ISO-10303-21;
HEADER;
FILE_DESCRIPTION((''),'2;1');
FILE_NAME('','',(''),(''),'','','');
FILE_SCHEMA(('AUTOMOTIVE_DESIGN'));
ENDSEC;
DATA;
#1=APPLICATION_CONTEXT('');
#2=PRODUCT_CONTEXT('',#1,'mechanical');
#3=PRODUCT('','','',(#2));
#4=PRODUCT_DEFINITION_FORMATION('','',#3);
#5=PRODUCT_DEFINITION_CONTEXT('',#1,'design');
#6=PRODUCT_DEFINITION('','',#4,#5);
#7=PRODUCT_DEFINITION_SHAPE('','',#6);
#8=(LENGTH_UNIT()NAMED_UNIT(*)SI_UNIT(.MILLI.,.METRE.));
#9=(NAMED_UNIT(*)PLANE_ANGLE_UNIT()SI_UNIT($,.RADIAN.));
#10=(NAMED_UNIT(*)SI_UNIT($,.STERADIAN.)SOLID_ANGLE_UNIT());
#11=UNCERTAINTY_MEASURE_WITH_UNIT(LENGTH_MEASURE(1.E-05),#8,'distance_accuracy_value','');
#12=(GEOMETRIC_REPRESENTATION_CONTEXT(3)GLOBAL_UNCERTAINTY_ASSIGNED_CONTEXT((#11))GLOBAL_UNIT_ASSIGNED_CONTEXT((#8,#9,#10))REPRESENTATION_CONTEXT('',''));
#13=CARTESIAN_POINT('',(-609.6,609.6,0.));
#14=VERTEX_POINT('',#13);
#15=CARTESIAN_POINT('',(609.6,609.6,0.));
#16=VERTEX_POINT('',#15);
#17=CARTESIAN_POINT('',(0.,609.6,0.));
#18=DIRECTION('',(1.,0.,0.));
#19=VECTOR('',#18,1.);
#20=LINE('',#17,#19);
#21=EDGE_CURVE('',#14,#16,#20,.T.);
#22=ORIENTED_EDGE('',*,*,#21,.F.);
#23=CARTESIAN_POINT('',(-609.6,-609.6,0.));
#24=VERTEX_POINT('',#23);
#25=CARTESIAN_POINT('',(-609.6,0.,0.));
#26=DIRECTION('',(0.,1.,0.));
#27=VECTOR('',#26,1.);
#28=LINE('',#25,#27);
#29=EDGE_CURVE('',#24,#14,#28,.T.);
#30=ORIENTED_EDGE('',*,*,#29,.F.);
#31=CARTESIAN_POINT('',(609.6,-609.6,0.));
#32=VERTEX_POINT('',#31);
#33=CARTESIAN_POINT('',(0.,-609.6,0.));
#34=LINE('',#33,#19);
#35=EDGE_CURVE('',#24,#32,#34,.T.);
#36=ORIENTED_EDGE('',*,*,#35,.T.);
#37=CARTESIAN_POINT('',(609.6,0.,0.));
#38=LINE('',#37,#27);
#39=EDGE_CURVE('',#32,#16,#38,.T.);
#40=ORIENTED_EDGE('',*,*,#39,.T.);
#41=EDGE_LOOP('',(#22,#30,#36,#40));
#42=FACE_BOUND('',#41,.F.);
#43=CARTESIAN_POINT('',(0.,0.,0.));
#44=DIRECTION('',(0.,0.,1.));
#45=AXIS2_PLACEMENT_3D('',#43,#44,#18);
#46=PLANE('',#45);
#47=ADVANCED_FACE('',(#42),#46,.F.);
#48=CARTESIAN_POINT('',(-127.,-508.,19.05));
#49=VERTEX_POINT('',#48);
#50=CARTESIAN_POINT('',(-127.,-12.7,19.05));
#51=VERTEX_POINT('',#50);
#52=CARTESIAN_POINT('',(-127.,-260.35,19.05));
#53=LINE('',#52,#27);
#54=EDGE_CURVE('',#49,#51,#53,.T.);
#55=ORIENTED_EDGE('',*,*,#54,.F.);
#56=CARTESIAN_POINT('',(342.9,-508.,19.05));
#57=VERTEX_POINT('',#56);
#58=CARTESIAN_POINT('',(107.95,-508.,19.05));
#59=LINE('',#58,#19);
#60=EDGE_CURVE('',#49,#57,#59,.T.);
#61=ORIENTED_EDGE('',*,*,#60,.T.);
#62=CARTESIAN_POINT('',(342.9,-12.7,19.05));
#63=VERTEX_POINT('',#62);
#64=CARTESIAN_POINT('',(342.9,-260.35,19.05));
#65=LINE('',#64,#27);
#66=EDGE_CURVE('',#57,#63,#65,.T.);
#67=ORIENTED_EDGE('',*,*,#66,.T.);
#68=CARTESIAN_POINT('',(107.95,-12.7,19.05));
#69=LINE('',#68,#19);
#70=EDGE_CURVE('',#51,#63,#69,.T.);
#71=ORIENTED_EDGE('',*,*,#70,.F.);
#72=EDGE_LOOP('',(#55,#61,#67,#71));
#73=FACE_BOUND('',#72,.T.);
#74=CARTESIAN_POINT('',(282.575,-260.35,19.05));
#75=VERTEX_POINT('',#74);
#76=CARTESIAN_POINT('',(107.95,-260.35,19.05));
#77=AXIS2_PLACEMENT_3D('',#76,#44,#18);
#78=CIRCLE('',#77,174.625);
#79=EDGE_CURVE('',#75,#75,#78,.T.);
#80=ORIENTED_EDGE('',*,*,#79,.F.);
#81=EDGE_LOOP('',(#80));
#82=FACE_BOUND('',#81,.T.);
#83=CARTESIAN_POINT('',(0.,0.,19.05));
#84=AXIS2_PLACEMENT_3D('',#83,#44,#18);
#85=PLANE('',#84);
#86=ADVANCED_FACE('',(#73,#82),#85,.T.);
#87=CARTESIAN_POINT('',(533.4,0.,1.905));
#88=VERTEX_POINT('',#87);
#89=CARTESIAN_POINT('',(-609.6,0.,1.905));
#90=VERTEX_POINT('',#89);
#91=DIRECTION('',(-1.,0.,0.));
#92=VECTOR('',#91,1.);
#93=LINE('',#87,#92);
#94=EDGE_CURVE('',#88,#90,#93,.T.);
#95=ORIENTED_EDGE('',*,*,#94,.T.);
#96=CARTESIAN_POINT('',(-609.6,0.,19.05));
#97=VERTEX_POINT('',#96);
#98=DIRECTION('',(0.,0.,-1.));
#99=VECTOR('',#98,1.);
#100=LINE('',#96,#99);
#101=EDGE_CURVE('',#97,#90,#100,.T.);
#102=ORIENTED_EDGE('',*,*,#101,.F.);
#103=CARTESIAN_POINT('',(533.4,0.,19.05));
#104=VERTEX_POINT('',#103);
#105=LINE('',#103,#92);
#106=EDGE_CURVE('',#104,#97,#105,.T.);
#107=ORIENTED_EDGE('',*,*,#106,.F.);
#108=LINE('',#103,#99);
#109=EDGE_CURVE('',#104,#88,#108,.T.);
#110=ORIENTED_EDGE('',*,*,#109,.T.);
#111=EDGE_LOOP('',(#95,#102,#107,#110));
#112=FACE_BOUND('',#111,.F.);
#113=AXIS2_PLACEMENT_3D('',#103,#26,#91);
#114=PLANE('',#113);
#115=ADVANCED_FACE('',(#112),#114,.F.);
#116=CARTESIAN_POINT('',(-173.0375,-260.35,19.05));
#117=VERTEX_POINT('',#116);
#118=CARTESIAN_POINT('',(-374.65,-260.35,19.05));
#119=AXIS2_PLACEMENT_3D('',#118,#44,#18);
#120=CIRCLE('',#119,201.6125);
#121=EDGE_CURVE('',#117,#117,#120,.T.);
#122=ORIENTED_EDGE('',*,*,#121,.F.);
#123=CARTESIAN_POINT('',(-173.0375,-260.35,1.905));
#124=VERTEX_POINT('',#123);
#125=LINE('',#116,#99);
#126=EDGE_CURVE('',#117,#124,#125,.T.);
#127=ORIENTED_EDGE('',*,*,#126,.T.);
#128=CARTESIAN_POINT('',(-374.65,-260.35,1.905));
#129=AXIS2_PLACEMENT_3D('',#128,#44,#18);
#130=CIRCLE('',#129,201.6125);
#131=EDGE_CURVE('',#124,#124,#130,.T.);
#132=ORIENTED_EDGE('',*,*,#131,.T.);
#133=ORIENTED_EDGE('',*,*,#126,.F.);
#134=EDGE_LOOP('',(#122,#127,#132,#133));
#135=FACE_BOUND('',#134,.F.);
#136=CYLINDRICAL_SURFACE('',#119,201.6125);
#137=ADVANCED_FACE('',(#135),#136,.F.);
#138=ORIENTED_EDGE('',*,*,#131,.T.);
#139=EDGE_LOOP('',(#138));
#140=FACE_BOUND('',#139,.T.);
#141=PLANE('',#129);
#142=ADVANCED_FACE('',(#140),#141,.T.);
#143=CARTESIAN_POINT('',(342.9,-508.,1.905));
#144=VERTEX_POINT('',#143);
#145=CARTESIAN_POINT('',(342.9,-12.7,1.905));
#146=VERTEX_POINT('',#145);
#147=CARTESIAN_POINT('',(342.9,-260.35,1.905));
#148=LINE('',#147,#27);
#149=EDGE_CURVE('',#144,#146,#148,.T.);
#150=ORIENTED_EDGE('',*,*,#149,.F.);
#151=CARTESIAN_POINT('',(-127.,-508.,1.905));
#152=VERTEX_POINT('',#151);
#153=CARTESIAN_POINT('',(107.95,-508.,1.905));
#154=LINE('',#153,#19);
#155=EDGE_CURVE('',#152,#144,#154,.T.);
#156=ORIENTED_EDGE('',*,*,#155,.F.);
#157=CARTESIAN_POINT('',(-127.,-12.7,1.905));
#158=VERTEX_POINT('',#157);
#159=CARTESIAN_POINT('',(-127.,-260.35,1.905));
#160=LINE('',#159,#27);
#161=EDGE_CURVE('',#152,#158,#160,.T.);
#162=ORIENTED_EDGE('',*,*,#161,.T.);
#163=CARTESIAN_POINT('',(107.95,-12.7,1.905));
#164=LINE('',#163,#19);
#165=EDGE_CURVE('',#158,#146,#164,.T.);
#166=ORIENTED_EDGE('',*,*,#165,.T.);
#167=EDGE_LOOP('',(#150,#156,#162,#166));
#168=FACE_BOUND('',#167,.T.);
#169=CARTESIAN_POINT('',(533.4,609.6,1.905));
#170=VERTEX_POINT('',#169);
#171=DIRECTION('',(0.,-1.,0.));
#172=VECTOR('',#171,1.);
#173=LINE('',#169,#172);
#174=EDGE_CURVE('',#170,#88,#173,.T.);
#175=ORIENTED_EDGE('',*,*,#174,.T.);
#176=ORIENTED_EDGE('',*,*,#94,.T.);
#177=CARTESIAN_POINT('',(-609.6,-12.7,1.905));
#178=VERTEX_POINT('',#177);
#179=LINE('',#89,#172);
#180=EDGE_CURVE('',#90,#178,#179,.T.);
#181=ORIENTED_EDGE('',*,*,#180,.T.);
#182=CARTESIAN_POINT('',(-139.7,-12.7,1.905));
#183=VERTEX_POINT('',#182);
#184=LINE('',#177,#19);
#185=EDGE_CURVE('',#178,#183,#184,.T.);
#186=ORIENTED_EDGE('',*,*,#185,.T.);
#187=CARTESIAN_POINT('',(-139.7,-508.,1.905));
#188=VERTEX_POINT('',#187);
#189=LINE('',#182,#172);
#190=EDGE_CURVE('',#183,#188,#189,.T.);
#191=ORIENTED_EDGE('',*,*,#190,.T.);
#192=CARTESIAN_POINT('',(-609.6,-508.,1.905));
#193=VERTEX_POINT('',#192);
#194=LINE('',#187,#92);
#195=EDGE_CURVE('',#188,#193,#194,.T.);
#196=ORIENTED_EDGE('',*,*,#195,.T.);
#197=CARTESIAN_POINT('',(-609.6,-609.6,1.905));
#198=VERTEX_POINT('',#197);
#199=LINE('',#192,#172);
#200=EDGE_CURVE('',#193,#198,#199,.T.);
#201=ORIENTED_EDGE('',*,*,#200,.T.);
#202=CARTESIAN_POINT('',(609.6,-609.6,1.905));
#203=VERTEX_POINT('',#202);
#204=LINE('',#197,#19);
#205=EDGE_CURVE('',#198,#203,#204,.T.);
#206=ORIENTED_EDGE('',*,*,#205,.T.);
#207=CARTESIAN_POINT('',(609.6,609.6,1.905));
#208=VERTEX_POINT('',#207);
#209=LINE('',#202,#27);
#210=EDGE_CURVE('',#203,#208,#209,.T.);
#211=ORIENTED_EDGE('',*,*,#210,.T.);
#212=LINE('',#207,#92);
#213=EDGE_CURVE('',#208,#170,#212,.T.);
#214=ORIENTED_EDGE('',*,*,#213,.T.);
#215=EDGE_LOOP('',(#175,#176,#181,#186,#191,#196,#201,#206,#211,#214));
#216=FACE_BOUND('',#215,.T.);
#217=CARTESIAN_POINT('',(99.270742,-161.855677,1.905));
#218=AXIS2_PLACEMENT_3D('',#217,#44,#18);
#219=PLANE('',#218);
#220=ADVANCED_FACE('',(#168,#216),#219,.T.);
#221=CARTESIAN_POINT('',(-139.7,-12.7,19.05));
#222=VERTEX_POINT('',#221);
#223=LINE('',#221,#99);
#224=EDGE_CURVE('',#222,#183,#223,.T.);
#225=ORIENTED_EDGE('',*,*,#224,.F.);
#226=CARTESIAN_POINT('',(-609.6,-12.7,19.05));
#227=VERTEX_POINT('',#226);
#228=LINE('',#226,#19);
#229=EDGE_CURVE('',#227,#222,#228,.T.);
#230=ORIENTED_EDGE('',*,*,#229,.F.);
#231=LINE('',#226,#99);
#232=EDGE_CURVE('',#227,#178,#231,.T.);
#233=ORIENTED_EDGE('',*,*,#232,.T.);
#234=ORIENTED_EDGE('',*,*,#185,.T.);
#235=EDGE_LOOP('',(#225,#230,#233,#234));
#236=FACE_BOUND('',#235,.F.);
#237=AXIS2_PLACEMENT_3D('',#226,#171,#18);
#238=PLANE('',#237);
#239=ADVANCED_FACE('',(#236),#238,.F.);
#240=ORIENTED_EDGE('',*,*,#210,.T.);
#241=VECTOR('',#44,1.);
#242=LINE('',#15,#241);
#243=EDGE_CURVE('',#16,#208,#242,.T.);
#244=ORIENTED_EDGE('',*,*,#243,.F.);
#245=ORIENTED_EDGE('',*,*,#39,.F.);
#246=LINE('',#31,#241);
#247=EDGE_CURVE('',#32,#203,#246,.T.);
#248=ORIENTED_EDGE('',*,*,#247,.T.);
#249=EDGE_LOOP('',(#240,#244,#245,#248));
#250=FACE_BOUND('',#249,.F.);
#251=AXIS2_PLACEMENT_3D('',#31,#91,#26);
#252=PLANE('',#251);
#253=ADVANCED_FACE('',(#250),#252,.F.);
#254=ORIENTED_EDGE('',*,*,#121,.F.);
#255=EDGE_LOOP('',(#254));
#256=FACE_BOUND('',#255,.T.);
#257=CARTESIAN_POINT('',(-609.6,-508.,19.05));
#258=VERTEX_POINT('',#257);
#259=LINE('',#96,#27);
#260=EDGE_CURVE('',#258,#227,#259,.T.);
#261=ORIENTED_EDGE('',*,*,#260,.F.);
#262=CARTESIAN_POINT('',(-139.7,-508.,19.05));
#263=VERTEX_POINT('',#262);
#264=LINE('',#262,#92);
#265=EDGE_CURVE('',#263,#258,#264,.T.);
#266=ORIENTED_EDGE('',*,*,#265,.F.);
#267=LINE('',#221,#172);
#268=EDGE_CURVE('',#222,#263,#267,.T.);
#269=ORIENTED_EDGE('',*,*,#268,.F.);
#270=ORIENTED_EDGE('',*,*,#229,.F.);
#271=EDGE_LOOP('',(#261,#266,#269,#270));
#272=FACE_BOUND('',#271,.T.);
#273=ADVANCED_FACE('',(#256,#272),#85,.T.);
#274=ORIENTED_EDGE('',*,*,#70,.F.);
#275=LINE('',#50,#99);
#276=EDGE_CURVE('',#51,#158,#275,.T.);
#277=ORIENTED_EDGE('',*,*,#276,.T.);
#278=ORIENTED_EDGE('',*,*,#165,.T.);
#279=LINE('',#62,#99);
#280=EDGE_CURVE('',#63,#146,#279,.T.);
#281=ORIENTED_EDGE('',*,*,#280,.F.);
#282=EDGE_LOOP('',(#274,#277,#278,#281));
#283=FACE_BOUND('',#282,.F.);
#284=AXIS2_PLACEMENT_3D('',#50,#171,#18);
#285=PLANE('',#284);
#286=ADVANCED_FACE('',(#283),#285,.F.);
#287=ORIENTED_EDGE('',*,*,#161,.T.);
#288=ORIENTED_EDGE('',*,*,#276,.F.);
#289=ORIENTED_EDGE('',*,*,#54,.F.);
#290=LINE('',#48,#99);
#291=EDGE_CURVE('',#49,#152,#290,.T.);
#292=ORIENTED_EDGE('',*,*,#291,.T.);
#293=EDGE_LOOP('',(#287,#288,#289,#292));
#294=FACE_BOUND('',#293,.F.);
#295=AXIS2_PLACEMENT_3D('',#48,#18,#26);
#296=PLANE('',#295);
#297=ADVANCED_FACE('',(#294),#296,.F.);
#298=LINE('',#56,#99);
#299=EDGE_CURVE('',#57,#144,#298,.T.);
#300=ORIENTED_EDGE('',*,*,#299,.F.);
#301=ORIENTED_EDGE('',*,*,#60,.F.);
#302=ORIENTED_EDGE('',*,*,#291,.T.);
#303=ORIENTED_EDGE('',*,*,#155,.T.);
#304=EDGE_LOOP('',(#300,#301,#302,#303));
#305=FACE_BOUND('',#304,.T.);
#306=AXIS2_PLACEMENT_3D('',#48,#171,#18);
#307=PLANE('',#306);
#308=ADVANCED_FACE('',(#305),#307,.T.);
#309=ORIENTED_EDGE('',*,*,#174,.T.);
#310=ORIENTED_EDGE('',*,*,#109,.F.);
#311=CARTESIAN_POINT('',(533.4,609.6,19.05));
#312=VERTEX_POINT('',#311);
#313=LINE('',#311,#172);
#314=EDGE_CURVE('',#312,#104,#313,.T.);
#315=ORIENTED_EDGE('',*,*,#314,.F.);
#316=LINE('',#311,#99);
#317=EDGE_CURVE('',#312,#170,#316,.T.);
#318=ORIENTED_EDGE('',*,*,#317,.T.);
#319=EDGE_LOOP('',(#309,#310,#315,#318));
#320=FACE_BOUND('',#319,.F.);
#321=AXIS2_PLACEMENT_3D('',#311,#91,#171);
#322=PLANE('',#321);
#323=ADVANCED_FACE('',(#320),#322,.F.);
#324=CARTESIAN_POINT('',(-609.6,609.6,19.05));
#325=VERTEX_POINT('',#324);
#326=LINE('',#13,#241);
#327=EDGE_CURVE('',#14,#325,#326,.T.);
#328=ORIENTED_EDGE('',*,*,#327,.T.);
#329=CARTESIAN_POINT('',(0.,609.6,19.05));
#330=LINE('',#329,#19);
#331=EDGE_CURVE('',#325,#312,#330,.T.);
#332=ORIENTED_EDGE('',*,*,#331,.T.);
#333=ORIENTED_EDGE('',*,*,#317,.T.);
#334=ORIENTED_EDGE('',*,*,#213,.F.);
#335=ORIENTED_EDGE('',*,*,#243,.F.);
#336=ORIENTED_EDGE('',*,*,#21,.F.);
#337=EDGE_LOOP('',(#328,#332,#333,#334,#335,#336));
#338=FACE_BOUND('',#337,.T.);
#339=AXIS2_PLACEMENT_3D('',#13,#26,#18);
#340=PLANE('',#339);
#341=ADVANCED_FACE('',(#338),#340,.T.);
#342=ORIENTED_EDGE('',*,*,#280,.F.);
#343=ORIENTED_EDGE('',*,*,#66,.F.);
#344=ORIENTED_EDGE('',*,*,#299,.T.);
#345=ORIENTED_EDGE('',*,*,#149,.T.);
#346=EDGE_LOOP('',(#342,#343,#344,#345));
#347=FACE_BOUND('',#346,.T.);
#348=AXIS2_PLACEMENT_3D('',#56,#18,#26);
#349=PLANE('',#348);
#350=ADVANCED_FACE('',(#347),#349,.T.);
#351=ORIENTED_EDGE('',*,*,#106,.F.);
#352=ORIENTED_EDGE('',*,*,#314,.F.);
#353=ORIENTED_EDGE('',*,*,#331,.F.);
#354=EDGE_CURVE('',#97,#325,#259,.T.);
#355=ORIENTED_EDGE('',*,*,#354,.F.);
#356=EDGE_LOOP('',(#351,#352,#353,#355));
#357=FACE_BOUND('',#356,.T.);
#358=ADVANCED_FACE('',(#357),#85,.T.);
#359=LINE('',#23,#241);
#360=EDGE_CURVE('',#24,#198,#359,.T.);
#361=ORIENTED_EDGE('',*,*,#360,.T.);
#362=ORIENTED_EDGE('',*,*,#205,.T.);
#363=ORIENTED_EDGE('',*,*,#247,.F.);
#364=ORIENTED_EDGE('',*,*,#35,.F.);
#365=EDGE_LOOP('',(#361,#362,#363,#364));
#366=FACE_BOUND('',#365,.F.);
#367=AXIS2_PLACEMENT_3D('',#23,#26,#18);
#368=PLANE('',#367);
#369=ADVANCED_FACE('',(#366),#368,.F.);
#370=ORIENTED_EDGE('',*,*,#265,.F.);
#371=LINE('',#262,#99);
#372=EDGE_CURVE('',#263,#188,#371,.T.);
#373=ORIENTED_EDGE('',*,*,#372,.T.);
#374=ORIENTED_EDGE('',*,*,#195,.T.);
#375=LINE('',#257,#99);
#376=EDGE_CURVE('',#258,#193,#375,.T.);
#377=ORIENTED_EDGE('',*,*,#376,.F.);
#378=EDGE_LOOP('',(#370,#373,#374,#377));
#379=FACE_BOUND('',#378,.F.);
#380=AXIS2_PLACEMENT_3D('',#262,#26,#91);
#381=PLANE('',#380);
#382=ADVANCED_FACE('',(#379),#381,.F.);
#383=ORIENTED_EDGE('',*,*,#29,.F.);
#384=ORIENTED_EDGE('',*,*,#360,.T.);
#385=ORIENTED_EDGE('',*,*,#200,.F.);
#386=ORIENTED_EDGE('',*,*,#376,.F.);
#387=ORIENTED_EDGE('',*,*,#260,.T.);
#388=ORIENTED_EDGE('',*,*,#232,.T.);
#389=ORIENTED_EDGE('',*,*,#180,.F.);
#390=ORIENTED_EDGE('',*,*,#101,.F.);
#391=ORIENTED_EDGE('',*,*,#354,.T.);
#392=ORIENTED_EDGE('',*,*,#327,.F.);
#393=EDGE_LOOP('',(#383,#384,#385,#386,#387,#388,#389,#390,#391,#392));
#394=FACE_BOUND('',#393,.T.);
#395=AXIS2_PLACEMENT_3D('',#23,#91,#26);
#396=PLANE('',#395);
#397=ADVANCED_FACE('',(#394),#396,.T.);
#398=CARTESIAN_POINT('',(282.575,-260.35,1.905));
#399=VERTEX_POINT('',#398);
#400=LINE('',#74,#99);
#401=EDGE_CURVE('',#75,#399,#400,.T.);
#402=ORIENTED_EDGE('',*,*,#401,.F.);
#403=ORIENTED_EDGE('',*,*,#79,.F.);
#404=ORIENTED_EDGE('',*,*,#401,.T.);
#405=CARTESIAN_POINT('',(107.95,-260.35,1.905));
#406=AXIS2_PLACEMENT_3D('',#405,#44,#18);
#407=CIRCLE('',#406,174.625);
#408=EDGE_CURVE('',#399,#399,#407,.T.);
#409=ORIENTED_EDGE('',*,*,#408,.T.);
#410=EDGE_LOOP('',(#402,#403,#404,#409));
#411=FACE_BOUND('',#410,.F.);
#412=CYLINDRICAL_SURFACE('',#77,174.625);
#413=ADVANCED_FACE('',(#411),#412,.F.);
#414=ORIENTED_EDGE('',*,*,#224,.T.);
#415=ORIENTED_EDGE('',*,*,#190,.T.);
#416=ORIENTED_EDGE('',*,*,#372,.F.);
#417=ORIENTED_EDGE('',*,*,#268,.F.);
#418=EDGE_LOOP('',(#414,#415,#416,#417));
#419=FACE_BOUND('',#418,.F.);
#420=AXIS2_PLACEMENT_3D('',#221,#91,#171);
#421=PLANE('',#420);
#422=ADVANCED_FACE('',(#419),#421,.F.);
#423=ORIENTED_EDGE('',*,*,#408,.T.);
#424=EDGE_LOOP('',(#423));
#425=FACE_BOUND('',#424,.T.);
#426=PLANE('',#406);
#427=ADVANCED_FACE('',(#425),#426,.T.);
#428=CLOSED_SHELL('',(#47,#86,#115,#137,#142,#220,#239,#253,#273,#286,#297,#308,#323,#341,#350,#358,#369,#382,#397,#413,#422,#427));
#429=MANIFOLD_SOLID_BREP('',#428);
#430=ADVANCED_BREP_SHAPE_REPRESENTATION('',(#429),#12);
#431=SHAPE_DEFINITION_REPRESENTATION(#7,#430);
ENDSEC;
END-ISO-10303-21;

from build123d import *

# Parameters (mm, degrees)
F0_W     = 1219.2
F0_H     = 1219.2
F1_DEPTH = 19.05
F2_W     = 469.9
F2_H     = 495.3
F3_DEPTH = 17.145
F4_R     = 201.6125
F5_DEPTH = 17.145
F6_R     = 174.625
F7_DEPTH = 17.145


with BuildPart() as f1:
    # F0 (on Top) → F1 (new body)
    with BuildSketch(Plane.XY):
        Rectangle(F0_W, F0_H)
    extrude(amount=F1_DEPTH)

    # F2 (on face) → F3 (cut)
    with BuildSketch(Plane.XY.offset(19.05)):
        Polygon((609.6, 609.6), (533.4, 609.6), (533.4, 0), (-609.6, 0), (-609.6, -12.7), (-139.7, -12.7), (-139.7, -508), (-609.6, -508), (-609.6, -609.6), (609.6, -609.6), align=None)
        with Locations((107.95, -260.35)):
            Rectangle(F2_W, F2_H, mode=Mode.SUBTRACT)
    extrude(amount=-F3_DEPTH, mode=Mode.SUBTRACT)

    # F4 (on face) → F5 (cut)
    with BuildSketch(Plane.XY.offset(19.05)):
        with Locations((-374.65, -260.35)):
            Circle(F4_R)
    extrude(amount=-F5_DEPTH, mode=Mode.SUBTRACT)

    # F6 (on face) → F7 (cut)
    with BuildSketch(Plane.XY.offset(19.05)):
        with Locations((107.95, -260.35)):
            Circle(F6_R)
    extrude(amount=-F7_DEPTH, mode=Mode.SUBTRACT)


solid = f1.part
